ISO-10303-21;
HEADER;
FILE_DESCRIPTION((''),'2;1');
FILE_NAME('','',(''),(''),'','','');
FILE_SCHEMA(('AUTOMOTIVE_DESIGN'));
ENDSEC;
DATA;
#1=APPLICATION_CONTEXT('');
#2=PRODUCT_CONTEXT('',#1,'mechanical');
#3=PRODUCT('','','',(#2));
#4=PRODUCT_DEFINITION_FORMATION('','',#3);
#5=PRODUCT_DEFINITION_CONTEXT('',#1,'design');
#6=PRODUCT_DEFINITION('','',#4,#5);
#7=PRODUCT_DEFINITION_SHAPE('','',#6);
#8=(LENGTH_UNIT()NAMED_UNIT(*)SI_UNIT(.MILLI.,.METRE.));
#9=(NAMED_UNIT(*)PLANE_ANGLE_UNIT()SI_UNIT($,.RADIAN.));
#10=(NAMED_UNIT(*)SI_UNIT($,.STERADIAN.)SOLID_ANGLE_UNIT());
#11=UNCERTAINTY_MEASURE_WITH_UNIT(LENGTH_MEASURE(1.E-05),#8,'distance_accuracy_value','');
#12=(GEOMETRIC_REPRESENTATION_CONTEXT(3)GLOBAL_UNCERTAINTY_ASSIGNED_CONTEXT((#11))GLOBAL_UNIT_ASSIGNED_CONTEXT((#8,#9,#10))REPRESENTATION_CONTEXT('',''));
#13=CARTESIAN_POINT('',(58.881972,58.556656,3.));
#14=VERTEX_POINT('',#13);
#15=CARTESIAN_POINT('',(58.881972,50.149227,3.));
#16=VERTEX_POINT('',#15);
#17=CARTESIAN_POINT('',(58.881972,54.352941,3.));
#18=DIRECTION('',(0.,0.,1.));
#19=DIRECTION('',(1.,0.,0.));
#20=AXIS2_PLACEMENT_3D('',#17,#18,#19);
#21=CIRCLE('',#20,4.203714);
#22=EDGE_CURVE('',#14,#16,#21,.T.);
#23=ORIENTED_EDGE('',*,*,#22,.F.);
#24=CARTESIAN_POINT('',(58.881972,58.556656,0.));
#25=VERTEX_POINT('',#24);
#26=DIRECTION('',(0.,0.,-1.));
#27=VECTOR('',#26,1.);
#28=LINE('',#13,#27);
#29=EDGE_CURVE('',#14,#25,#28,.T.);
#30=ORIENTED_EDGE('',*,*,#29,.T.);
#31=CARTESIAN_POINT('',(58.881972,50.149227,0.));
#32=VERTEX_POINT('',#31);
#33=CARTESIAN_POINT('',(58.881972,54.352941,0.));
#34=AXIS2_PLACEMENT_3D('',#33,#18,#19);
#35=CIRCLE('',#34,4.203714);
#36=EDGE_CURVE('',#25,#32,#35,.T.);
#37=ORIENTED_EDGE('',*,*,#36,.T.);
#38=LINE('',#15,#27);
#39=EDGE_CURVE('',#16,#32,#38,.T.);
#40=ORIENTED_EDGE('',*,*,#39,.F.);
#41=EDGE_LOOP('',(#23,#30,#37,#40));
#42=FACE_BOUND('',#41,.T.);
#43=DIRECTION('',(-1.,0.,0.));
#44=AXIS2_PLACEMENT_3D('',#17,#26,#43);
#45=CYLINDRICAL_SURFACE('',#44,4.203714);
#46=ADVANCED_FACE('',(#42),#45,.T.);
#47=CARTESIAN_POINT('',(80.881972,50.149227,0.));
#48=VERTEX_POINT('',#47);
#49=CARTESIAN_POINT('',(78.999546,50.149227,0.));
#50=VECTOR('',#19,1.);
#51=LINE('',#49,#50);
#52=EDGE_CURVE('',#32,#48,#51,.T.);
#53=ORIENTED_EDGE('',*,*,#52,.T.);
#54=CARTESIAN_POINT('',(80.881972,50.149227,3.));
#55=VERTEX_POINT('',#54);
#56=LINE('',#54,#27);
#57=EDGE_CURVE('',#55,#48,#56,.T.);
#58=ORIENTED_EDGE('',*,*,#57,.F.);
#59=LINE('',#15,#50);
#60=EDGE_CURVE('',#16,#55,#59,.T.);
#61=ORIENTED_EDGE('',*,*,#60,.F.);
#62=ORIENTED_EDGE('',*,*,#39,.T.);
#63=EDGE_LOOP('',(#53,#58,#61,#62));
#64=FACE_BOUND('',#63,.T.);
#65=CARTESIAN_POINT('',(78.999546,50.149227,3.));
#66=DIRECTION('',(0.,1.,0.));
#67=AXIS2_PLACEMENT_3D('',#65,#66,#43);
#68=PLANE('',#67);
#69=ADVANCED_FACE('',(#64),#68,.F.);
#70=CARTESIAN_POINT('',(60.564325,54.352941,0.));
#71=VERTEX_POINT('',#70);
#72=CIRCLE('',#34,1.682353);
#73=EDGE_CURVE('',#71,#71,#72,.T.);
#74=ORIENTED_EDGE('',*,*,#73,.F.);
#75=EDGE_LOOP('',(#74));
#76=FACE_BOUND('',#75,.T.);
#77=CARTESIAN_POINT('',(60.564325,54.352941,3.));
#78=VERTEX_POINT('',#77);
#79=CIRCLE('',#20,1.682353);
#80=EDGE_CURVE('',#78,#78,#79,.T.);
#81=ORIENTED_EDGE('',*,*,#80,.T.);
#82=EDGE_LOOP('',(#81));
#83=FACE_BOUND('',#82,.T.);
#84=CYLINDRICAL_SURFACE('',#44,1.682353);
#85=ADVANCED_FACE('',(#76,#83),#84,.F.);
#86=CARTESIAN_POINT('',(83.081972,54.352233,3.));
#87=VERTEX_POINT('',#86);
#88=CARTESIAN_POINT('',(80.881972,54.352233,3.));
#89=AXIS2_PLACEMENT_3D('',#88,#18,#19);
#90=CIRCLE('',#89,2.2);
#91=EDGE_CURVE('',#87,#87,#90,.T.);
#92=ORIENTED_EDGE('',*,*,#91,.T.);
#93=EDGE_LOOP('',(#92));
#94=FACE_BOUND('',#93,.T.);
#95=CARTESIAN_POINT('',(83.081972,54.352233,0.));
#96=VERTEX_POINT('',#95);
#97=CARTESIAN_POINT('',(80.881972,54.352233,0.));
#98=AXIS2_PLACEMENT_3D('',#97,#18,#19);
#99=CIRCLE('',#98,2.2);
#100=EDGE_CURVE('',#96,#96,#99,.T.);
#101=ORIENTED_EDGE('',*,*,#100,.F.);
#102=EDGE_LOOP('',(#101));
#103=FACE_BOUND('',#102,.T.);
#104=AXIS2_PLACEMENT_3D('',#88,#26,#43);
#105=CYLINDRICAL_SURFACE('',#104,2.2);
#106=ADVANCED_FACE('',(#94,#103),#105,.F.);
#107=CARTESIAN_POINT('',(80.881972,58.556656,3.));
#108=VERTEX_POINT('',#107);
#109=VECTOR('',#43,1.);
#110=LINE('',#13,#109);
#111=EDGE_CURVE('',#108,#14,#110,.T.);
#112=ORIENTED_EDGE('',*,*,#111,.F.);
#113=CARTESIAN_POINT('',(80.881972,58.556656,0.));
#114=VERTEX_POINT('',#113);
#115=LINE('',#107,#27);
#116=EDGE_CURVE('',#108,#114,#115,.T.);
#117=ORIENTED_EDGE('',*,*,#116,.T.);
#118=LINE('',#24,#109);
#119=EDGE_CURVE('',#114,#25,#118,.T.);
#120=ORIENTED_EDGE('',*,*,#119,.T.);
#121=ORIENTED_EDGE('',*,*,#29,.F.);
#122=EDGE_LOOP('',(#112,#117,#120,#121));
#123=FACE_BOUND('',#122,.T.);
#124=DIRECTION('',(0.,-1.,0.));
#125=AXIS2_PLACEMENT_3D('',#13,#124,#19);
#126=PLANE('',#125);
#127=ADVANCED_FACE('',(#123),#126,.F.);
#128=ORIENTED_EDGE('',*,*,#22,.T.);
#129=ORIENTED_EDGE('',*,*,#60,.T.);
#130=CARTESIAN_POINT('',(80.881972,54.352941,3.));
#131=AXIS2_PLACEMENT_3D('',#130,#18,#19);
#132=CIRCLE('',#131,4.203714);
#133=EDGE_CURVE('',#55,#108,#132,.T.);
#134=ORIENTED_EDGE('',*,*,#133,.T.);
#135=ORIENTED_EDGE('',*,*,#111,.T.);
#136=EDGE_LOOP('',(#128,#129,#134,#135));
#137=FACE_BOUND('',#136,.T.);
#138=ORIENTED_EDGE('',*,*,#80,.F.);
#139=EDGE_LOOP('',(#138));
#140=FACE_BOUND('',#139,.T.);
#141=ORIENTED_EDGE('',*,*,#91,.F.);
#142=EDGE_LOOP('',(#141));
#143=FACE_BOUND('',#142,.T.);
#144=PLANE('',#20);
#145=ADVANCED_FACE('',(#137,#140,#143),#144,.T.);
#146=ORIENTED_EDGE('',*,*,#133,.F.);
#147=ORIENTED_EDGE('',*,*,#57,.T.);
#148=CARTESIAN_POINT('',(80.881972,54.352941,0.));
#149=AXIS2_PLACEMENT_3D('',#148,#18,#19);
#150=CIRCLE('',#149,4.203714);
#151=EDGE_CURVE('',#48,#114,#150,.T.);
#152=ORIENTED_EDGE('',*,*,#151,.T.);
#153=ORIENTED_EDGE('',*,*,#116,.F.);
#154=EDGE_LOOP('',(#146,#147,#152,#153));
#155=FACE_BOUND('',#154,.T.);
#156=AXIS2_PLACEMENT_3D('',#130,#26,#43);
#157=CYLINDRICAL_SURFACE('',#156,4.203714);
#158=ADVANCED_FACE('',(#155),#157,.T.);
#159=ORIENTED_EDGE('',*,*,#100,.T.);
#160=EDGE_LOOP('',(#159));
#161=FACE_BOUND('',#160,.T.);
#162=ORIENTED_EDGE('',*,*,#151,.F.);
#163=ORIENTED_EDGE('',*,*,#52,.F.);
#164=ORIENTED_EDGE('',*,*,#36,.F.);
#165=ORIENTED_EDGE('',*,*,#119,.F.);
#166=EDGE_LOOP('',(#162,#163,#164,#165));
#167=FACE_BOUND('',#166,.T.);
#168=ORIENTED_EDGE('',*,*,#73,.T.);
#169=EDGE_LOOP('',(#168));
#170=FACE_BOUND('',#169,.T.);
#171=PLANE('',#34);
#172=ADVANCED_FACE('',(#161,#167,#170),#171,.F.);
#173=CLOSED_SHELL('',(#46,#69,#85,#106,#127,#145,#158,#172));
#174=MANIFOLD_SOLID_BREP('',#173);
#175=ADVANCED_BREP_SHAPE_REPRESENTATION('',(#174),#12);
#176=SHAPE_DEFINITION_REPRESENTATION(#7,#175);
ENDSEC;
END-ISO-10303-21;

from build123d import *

# Parameters (mm, degrees)
MODEL_R             = 2.199999997
MODEL_R_2           = 1.682352939
BOSS_EXTRUDE1_DEPTH = 3


with BuildPart() as part:
    # Model → Boss-Extrude1 (new body)
    with BuildSketch(Plane.XY):
        with BuildLine():
            Line((64.051409634, 50.149226664), (78.999546271, 50.149226664))
            Line((78.999546271, 50.149226664), (80.881972122, 50.149226664))
            ThreePointArc((80.881972122, 50.149226664), (85.085686549, 54.352941092), (80.881972122, 58.55665552))
            Line((80.881972122, 58.55665552), (58.88197211, 58.55665552))
            ThreePointArc((58.88197211, 58.55665552), (54.678257705, 54.352941069), (58.881972156, 50.149226664))
            Line((58.881972156, 50.149226664), (64.051409634, 50.149226664))
        make_face()
        with Locations((80.881972122, 54.352233082)):
            Circle(MODEL_R, mode=Mode.SUBTRACT)
        with Locations((58.881972133, 54.352941092)):
            Circle(MODEL_R_2, mode=Mode.SUBTRACT)
    extrude(amount=BOSS_EXTRUDE1_DEPTH)


solid = part.part
